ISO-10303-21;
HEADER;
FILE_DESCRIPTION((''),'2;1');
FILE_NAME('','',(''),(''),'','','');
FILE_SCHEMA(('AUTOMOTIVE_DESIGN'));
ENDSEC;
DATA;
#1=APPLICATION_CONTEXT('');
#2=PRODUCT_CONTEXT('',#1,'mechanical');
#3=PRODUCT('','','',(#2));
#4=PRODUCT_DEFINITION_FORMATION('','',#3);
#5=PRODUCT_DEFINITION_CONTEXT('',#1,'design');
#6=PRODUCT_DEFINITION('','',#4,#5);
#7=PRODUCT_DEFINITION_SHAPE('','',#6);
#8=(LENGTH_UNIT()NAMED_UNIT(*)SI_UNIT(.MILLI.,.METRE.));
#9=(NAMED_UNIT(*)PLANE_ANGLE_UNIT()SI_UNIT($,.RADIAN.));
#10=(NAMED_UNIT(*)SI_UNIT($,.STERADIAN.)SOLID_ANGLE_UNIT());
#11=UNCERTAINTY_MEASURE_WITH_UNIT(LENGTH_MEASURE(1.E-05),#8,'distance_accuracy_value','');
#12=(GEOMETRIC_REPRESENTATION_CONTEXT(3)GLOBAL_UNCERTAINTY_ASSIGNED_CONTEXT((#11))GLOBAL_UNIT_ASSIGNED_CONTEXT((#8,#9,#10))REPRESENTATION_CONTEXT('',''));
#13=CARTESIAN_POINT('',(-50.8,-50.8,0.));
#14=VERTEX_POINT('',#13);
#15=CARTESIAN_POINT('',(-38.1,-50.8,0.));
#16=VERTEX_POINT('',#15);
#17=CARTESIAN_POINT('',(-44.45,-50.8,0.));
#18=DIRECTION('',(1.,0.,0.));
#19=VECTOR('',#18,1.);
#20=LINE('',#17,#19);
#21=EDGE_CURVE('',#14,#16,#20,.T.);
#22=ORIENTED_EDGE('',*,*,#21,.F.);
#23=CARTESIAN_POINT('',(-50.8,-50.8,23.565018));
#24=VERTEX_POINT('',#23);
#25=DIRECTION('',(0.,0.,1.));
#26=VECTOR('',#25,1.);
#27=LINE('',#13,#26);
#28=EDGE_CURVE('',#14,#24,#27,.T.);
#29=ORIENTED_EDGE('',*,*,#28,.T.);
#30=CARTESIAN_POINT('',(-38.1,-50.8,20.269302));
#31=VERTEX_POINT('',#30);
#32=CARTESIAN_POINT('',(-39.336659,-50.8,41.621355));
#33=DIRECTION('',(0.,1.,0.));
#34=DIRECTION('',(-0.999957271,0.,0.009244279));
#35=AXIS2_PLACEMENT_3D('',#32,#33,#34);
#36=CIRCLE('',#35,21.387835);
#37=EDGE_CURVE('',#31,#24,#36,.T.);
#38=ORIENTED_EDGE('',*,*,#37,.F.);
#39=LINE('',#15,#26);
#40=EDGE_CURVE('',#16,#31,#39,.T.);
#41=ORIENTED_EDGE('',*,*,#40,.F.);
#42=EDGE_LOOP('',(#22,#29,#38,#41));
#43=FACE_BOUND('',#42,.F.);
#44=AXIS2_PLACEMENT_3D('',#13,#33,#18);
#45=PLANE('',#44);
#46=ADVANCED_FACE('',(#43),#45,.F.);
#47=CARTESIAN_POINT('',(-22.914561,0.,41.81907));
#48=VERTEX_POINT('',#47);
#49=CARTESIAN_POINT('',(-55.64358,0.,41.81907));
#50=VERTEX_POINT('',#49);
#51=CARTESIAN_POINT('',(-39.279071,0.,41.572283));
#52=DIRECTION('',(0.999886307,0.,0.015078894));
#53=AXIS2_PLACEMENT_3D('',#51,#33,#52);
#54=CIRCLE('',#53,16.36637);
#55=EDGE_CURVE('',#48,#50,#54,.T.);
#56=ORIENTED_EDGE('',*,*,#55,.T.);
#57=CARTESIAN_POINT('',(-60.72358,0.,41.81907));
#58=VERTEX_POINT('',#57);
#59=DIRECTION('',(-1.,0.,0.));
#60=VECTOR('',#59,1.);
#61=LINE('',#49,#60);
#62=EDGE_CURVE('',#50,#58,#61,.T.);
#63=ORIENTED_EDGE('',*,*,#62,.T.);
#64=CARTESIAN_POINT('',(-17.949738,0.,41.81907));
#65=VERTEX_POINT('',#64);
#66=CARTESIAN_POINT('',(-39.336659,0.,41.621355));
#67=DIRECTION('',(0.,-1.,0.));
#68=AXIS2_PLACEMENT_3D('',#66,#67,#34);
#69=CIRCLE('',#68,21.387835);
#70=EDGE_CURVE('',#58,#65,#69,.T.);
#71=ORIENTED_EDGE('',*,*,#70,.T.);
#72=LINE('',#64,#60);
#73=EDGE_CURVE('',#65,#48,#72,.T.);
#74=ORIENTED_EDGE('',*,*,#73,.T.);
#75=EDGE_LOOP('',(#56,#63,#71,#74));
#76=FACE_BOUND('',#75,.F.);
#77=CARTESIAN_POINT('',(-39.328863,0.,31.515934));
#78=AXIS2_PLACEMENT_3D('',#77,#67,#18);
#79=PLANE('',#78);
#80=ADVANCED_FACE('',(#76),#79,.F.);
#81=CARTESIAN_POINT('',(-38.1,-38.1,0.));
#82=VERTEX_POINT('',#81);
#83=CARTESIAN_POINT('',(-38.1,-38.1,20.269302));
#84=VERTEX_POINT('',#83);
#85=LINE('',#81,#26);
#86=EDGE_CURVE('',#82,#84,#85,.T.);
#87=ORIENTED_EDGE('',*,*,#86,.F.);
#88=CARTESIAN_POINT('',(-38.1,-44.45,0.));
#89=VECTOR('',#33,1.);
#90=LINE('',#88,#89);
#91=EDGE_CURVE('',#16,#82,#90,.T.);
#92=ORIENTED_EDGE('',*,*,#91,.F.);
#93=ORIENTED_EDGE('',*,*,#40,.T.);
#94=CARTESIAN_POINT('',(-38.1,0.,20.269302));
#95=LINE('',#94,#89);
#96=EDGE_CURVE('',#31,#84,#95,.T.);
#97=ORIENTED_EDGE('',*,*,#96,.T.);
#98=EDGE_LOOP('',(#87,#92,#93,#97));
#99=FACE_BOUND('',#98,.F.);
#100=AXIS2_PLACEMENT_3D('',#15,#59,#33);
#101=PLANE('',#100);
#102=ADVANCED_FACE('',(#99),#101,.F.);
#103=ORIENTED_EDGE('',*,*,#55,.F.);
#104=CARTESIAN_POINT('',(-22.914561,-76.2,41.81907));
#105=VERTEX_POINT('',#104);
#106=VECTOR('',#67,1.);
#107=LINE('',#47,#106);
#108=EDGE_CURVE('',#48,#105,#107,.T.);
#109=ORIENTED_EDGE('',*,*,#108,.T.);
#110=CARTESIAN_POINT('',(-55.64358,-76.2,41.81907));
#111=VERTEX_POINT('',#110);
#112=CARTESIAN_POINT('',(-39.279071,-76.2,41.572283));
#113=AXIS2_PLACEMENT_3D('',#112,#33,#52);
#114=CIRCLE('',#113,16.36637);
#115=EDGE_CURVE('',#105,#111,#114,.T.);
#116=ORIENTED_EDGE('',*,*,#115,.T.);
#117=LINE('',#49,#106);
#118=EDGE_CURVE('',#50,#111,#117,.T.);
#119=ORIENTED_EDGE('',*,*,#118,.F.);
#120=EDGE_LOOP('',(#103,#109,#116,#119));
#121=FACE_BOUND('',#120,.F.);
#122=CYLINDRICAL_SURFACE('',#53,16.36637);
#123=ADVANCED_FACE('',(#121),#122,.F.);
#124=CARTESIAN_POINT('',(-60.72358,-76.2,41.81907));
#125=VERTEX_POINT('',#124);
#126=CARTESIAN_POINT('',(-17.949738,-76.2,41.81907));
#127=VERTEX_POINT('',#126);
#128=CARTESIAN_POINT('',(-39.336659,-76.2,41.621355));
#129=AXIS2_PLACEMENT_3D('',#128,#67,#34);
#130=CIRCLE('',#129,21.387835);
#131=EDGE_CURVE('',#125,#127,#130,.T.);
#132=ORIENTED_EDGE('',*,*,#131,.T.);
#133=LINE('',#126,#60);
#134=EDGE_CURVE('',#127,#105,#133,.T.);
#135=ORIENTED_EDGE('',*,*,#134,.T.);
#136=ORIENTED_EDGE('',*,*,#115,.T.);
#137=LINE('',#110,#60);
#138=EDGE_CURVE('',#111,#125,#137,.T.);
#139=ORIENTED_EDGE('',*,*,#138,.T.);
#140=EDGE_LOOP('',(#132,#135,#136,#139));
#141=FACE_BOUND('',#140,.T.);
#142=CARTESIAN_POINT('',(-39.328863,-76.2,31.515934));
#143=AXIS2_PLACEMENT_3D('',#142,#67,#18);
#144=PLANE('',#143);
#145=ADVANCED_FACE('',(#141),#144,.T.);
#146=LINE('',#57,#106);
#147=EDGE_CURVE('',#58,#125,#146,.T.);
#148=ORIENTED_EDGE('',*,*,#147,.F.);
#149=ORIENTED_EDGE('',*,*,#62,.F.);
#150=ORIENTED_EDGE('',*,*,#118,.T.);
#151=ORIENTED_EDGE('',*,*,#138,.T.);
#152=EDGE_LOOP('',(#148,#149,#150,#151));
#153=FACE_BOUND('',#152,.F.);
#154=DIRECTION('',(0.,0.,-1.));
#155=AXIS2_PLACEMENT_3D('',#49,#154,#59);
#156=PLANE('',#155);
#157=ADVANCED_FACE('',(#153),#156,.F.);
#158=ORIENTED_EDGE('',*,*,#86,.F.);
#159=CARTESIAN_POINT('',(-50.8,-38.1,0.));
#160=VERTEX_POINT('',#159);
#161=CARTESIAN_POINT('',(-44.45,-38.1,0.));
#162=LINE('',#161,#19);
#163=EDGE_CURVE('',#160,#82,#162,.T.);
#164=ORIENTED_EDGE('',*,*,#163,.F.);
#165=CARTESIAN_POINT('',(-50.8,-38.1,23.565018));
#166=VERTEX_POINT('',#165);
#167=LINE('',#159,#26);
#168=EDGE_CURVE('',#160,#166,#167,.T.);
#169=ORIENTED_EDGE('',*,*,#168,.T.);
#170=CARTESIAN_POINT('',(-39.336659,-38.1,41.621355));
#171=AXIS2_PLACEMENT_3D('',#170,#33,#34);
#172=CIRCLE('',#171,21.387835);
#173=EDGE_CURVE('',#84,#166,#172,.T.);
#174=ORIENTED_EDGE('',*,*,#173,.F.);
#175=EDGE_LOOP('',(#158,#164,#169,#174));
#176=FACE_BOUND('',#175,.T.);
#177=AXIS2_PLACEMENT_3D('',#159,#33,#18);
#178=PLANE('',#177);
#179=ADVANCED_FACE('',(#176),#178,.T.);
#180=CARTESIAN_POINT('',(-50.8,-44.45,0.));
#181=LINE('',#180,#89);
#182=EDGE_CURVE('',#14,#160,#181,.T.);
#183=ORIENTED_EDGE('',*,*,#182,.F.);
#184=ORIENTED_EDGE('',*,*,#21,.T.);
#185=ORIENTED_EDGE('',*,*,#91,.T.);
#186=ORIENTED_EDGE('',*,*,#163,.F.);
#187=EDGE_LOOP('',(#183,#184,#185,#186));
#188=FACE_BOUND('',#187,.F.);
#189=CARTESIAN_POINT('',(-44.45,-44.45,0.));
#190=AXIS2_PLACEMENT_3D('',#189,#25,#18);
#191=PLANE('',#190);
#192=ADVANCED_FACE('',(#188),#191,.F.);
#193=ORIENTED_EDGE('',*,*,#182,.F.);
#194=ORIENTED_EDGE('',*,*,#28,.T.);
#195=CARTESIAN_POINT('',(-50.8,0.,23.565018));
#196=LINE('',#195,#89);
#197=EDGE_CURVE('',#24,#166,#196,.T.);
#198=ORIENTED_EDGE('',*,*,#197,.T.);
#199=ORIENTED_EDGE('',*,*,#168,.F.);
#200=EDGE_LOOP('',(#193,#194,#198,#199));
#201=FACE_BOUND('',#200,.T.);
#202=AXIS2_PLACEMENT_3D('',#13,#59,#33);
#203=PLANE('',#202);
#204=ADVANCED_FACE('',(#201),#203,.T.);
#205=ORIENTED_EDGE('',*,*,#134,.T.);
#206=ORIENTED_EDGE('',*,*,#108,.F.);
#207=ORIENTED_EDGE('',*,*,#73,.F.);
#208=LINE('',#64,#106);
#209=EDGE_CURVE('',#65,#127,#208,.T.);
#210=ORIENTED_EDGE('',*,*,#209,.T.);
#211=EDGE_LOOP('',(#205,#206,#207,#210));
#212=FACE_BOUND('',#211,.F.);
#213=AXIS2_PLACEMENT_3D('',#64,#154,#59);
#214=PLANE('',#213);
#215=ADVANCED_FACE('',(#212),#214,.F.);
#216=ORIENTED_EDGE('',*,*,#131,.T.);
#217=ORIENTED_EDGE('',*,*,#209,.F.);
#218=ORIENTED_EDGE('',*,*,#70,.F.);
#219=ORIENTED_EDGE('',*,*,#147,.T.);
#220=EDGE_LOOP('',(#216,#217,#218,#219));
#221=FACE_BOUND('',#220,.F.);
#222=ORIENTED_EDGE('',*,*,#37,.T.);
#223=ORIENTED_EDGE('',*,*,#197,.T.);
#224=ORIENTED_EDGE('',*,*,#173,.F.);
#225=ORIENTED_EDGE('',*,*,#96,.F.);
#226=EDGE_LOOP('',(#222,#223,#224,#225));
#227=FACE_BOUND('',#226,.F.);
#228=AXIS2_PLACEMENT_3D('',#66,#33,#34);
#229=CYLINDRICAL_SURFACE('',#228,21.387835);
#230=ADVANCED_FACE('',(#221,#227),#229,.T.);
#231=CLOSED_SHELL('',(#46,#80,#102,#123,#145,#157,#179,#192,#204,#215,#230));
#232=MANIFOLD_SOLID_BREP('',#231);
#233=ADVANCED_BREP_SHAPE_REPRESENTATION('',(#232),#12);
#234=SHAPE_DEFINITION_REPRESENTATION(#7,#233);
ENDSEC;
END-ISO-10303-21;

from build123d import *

# Parameters (mm, degrees)
F1_DEPTH = 76.2
F2_W     = 12.7
F2_H     = 12.7
F3_DEPTH = 23.622


with BuildPart() as f1:
    # F0 (on Front) → F1 (new body)
    with BuildSketch(Plane.XZ):
        with BuildLine():
            Line((-55.64358, 41.81907), (-60.72358, 41.81907))
            ThreePointArc((-60.72358, 41.81907), (-39.336659, 20.23352), (-17.949738, 41.81907))
            Line((-17.949738, 41.81907), (-22.914561, 41.81907))
            ThreePointArc((-22.914561, 41.81907), (-39.27907, 25.205913), (-55.64358, 41.81907))
        make_face()
    extrude(amount=F1_DEPTH)

    # F2 (on Top) → F3 (join)
    with BuildSketch(Plane.XY):
        with Locations((-44.45, -44.45)):
            Rectangle(F2_W, F2_H)
    extrude(amount=F3_DEPTH)


solid = f1.part
